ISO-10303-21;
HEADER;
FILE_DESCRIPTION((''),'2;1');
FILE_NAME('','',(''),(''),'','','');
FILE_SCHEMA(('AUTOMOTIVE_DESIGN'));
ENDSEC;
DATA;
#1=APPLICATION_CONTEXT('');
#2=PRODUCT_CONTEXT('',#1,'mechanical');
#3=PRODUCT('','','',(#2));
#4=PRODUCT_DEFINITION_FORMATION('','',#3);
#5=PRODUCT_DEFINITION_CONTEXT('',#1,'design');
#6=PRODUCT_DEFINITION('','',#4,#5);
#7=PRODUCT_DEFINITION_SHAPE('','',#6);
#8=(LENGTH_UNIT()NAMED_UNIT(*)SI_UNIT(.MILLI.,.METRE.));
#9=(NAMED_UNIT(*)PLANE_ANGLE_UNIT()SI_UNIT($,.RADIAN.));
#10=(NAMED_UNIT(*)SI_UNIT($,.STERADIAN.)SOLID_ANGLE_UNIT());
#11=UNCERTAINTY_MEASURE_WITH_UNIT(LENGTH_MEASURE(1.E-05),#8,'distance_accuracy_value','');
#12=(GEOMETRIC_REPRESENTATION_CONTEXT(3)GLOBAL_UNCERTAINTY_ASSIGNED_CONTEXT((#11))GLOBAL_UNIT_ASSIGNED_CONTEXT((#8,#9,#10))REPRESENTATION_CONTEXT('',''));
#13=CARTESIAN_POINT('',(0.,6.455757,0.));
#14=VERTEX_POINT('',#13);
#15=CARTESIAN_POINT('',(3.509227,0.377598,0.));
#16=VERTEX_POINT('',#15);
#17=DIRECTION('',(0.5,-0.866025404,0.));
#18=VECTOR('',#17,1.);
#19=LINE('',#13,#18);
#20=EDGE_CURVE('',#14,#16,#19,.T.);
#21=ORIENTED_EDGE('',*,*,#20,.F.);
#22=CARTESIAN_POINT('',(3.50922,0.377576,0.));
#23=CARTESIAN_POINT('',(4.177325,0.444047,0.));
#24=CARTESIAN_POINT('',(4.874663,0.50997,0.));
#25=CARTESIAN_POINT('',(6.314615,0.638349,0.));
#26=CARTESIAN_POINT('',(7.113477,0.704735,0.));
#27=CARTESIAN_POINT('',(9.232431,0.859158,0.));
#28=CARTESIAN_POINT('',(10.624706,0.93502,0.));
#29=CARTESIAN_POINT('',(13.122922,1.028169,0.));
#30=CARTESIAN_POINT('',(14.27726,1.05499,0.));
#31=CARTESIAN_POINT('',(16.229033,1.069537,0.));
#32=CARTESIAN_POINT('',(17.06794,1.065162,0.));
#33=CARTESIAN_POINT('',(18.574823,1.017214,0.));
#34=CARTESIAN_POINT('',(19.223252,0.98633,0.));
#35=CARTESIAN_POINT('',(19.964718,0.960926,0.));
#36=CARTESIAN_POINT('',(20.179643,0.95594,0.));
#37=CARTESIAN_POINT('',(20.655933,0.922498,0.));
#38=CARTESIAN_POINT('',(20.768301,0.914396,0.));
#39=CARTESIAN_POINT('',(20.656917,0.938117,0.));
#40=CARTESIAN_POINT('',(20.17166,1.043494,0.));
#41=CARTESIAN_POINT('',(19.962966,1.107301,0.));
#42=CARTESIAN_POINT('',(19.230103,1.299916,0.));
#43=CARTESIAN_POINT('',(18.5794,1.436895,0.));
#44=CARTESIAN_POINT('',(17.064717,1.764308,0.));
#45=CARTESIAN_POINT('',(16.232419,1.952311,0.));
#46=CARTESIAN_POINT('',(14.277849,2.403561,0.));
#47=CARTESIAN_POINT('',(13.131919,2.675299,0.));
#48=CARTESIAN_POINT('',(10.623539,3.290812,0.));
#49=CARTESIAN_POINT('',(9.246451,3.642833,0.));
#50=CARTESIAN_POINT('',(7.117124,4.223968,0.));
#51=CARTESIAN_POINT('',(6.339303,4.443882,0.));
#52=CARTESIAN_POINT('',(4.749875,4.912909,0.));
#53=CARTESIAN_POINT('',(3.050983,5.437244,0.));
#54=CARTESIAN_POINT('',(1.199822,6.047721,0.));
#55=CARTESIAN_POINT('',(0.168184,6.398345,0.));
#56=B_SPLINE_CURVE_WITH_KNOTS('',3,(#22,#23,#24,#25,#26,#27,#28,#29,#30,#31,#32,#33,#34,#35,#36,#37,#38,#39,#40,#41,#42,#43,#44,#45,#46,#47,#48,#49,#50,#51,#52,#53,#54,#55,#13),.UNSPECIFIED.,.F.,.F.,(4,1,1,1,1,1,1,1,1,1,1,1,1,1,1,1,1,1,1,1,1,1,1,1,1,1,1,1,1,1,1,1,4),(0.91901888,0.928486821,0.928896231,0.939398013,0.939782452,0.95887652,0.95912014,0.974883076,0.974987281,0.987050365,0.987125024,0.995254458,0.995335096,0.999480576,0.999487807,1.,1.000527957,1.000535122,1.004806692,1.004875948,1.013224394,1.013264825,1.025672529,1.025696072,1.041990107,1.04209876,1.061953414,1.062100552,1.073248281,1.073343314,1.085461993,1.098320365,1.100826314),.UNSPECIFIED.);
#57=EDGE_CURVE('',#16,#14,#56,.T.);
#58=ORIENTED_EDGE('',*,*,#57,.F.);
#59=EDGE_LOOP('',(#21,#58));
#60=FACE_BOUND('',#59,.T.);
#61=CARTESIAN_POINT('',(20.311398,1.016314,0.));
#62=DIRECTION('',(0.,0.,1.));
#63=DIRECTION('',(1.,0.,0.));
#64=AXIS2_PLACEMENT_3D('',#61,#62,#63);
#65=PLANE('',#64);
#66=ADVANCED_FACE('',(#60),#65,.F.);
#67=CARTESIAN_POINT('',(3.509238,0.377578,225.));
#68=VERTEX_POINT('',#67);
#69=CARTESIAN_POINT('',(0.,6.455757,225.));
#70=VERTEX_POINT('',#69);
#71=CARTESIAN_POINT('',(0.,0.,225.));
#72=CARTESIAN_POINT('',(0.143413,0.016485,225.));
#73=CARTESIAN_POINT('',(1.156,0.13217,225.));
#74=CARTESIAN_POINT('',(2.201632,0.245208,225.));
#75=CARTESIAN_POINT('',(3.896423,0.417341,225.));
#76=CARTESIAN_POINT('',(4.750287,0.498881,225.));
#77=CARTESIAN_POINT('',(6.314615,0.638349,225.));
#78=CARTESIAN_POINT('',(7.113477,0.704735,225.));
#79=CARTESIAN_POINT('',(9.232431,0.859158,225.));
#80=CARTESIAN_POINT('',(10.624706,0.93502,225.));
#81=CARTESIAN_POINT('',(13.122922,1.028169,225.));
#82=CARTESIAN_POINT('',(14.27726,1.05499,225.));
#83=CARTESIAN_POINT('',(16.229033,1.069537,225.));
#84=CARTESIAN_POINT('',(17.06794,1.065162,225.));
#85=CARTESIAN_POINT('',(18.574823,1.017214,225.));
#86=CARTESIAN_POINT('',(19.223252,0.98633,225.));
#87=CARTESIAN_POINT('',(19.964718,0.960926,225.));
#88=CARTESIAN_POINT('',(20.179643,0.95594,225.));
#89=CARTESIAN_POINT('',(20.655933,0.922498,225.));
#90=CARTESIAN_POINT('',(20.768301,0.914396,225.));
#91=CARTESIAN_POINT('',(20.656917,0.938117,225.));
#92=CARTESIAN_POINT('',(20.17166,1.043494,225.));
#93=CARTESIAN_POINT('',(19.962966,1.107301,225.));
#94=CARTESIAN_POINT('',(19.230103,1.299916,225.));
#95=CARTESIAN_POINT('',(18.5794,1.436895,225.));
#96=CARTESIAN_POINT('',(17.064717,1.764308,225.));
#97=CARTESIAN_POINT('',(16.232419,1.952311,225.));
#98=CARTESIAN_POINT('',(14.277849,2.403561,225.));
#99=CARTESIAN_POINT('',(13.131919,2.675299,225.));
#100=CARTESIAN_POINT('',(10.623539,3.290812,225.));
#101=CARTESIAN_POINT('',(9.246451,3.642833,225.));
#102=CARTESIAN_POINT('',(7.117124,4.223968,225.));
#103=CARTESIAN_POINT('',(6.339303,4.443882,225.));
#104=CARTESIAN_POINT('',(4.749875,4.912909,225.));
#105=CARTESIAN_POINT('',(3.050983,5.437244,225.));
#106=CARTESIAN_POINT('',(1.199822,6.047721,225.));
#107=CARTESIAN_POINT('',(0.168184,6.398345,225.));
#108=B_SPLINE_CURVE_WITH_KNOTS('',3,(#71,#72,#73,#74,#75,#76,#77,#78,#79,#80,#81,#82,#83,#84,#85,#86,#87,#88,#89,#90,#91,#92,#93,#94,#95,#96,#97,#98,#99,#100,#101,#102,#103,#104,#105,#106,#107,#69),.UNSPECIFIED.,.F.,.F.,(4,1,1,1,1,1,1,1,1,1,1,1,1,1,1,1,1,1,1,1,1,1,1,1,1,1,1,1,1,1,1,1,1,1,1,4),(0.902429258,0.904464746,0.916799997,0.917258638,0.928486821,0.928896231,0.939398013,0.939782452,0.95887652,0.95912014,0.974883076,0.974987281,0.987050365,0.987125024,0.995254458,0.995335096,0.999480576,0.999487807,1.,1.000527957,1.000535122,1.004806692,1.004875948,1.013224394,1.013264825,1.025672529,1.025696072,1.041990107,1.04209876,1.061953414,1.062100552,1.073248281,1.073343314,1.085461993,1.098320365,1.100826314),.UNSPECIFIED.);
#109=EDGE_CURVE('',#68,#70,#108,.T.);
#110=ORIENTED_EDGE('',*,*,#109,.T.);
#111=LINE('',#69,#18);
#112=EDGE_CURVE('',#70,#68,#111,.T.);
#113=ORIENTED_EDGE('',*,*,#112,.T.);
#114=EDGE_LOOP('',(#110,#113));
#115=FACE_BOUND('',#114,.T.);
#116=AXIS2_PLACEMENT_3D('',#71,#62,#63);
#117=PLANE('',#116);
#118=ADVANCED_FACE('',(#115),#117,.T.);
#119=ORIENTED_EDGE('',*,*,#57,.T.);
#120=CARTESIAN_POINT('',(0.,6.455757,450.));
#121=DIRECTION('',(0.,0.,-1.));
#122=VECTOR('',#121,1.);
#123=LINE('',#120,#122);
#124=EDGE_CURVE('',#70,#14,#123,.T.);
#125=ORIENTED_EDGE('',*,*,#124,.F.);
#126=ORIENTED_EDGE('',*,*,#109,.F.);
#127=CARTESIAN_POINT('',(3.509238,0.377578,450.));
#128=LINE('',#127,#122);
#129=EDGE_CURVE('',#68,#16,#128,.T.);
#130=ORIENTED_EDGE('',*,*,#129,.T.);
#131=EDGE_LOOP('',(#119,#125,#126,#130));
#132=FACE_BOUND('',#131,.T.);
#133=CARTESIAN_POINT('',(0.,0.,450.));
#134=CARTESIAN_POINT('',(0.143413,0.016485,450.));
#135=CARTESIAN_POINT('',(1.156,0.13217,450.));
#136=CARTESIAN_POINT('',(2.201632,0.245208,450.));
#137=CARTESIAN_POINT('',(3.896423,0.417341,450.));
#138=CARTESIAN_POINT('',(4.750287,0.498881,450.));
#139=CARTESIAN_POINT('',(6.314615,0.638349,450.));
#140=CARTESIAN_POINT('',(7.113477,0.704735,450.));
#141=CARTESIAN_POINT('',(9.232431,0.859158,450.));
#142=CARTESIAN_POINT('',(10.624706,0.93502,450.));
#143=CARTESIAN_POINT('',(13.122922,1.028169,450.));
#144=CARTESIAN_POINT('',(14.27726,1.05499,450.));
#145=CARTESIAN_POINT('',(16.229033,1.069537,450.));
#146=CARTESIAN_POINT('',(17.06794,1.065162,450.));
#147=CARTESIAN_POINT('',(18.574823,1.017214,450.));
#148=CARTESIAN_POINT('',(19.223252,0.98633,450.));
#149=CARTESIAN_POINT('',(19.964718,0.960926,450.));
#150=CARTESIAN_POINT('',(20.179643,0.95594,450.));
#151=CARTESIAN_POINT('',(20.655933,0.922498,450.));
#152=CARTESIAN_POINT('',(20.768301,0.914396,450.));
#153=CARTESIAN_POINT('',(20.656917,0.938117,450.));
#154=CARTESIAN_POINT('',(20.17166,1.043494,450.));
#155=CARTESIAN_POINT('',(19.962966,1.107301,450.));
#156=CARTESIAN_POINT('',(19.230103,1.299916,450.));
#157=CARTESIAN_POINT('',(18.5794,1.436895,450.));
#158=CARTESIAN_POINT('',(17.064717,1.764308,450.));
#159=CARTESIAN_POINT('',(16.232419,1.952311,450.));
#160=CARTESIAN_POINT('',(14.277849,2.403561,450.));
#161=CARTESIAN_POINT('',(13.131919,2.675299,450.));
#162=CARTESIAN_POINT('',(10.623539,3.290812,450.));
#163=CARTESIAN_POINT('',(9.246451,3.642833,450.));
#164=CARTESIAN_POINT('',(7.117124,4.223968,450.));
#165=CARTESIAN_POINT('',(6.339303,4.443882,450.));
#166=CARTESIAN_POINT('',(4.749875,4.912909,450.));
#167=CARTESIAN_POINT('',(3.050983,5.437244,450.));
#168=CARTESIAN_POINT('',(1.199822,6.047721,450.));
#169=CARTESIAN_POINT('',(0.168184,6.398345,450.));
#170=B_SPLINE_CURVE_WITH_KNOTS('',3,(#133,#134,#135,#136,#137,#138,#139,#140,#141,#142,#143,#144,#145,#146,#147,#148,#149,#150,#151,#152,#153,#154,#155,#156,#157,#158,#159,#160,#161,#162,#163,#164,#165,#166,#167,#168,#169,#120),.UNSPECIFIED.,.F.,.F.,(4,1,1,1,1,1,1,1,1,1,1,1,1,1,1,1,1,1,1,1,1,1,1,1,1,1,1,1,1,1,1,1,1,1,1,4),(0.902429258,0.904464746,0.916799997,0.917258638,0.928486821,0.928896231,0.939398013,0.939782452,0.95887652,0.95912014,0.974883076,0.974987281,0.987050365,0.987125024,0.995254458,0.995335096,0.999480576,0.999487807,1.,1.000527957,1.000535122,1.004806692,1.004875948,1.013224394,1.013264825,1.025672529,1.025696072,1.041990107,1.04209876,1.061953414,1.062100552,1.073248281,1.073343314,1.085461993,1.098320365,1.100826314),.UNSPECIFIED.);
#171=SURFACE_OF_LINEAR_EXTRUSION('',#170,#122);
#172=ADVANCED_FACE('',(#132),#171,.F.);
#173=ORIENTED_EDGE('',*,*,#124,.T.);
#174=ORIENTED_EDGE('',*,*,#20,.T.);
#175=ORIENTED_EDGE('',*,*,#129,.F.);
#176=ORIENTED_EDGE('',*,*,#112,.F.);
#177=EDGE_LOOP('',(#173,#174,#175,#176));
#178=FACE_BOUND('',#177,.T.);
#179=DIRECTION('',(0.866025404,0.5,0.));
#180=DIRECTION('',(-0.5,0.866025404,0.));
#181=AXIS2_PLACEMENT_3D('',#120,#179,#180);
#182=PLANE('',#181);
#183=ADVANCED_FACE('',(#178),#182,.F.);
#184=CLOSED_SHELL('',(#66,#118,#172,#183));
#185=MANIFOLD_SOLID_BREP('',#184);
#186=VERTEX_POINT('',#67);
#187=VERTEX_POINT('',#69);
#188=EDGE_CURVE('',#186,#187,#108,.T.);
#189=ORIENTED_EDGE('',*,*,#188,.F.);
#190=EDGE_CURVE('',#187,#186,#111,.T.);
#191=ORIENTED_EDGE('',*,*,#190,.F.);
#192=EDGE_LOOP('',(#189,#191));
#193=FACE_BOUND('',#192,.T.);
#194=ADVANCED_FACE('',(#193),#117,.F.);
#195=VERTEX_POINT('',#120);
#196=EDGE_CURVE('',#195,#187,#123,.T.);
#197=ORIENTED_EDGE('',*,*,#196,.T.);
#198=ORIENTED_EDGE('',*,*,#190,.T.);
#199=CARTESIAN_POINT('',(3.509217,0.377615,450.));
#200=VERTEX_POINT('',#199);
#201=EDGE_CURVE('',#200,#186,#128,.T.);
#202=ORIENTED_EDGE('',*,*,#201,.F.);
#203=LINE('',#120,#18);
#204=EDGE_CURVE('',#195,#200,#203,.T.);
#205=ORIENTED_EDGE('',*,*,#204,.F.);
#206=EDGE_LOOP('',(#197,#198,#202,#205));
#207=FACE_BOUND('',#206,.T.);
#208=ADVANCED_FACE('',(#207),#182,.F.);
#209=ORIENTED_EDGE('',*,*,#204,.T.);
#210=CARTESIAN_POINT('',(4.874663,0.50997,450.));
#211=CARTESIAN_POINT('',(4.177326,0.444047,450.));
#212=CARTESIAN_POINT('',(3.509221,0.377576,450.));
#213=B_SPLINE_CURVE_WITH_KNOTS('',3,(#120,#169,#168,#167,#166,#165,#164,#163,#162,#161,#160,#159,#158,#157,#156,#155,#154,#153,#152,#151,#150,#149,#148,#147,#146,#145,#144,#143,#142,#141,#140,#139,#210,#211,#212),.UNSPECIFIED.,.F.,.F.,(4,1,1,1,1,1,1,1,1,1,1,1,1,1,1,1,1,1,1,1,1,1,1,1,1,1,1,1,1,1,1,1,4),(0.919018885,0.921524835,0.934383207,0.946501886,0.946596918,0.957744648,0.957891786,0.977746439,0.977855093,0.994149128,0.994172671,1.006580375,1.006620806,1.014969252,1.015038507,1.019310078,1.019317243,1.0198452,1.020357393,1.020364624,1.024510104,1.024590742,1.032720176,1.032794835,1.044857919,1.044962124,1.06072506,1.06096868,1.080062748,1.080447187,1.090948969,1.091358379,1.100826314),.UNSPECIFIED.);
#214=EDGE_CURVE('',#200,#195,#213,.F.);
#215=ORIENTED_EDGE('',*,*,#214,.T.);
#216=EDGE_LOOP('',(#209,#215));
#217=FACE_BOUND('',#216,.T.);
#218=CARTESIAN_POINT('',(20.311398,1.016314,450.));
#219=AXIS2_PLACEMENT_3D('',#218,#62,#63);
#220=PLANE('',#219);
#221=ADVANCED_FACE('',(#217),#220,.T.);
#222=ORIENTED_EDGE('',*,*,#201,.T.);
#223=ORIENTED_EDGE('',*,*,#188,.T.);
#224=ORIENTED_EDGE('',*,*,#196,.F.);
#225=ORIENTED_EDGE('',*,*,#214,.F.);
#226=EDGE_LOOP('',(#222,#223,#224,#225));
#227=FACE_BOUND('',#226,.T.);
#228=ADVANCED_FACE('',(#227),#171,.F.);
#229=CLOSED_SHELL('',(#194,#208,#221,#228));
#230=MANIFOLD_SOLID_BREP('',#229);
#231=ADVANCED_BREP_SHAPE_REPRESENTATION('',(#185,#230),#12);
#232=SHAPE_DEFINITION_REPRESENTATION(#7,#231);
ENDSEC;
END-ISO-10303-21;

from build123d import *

# Parameters (mm, degrees)
BOSS_EXTRUDE1_DEPTH      = 450
CUT_EXTRUDE1_DEPTH       = 450
SPLIT1_SURFACE_1_1_BACK  = 451.517
SPLIT1_SURFACE_1_1_DEPTH = 903.034
SPLIT1_SURFACE_1_2_BACK  = 451.517
SPLIT1_SURFACE_1_2_DEPTH = 903.034


with BuildPart() as part:
    # Sketch1 → Boss-Extrude1 (new body)
    with BuildSketch(Plane.XY):
        with BuildLine():
            Line((0, 0), (0, 6.455757048))
            add(Edge.make_bspline(
                [(0, 0), (0.143412686, 0.016484913), (1.155999606, 0.132169735), (2.201631524, 0.245208218), (3.896423442, 0.417340987), (4.750287272, 0.498881267), (6.314615323, 0.638348706), (7.113476809, 0.704735469), (9.232431261, 0.859157936), (10.62470637, 0.935019609), (13.122922437, 1.028168621), (14.277259886, 1.054990278), (16.229032686, 1.069536531), (17.067939909, 1.065161974), (18.574822862, 1.017214036), (19.223251594, 0.986329803), (19.964717833, 0.960926399), (20.179642653, 0.955940475), (20.655932981, 0.92249765), (20.768300614, 0.914396095), (20.656916837, 0.938116524), (20.171659674, 1.043493999), (19.96296632, 1.107301445), (19.230103071, 1.299916182), (18.579400137, 1.436895191), (17.064716888, 1.76430762), (16.232418732, 1.952310911), (14.277849346, 2.403561067), (13.131919301, 2.675299468), (10.623538649, 3.290811793), (9.246450566, 3.642833408), (7.117123921, 4.223967699), (6.339303232, 4.443882416), (4.749874534, 4.912909254), (3.05098287, 5.43724377), (1.19982174, 6.047720556), (0.168184003, 6.398345237), (0, 6.455757048)],
                knots=[0.902429258, 0.902429258, 0.902429258, 0.902429258, 0.904464746, 0.916799997, 0.917258638, 0.928486821, 0.928896231, 0.939398013, 0.939782452, 0.95887652, 0.95912014, 0.974883076, 0.974987281, 0.987050365, 0.987125024, 0.995254458, 0.995335096, 0.999480576, 0.999487807, 1, 1.000527957, 1.000535122, 1.004806692, 1.004875948, 1.013224394, 1.013264825, 1.025672529, 1.025696072, 1.041990107, 1.04209876, 1.061953414, 1.062100552, 1.073248281, 1.073343314, 1.085461993, 1.098320365, 1.100826314, 1.100826314, 1.100826314, 1.100826314], degree=3))
        make_face()
    extrude(amount=BOSS_EXTRUDE1_DEPTH)

    # Sketch8 → Cut-Extrude1 (cut)
    with BuildSketch(Plane(origin=(0, 0, 0), x_dir=(-1, 0, 0), z_dir=(0, 0, -1))):
        Polygon((0, 6.455757048), (-3.509238316, 0.377577989), (0, 0), align=None)
    extrude(amount=-CUT_EXTRUDE1_DEPTH, mode=Mode.SUBTRACT)


with BuildPart() as body_2:
    # Split1: the piece behind the surface
    add(part.part)
    # Split1 surface 1: a surface, the sketch's curves swept straight by 903.034 mm
    with BuildLine(Plane(origin=(0, 0, 0), x_dir=(1, 0, 0), z_dir=(0, 1, 0)).offset(-SPLIT1_SURFACE_1_1_BACK), mode=Mode.PRIVATE) as split1_surface_1_1_path:
        Line((0, -225), (20.712743012, -225))
    split1_surface_1_1 = Shell.extrude(split1_surface_1_1_path.wire(), (0 * SPLIT1_SURFACE_1_1_DEPTH, 1 * SPLIT1_SURFACE_1_1_DEPTH, 0 * SPLIT1_SURFACE_1_1_DEPTH))
    split(bisect_by=split1_surface_1_1, keep=Keep.BOTTOM)


with BuildPart() as part_1:
    add(part.part)

    # Split1: split by a surface, the side it looks to stays
    # Split1 surface 1: a surface, the sketch's curves swept straight by 903.034 mm
    with BuildLine(Plane(origin=(0, 0, 0), x_dir=(1, 0, 0), z_dir=(0, 1, 0)).offset(-SPLIT1_SURFACE_1_2_BACK), mode=Mode.PRIVATE) as split1_surface_1_2_path:
        Line((0, -225), (20.712743012, -225))
    split1_surface_1_2 = Shell.extrude(split1_surface_1_2_path.wire(), (0 * SPLIT1_SURFACE_1_2_DEPTH, 1 * SPLIT1_SURFACE_1_2_DEPTH, 0 * SPLIT1_SURFACE_1_2_DEPTH))
    split(bisect_by=split1_surface_1_2, keep=Keep.TOP)


solid = Compound([body_2.part, part_1.part])
